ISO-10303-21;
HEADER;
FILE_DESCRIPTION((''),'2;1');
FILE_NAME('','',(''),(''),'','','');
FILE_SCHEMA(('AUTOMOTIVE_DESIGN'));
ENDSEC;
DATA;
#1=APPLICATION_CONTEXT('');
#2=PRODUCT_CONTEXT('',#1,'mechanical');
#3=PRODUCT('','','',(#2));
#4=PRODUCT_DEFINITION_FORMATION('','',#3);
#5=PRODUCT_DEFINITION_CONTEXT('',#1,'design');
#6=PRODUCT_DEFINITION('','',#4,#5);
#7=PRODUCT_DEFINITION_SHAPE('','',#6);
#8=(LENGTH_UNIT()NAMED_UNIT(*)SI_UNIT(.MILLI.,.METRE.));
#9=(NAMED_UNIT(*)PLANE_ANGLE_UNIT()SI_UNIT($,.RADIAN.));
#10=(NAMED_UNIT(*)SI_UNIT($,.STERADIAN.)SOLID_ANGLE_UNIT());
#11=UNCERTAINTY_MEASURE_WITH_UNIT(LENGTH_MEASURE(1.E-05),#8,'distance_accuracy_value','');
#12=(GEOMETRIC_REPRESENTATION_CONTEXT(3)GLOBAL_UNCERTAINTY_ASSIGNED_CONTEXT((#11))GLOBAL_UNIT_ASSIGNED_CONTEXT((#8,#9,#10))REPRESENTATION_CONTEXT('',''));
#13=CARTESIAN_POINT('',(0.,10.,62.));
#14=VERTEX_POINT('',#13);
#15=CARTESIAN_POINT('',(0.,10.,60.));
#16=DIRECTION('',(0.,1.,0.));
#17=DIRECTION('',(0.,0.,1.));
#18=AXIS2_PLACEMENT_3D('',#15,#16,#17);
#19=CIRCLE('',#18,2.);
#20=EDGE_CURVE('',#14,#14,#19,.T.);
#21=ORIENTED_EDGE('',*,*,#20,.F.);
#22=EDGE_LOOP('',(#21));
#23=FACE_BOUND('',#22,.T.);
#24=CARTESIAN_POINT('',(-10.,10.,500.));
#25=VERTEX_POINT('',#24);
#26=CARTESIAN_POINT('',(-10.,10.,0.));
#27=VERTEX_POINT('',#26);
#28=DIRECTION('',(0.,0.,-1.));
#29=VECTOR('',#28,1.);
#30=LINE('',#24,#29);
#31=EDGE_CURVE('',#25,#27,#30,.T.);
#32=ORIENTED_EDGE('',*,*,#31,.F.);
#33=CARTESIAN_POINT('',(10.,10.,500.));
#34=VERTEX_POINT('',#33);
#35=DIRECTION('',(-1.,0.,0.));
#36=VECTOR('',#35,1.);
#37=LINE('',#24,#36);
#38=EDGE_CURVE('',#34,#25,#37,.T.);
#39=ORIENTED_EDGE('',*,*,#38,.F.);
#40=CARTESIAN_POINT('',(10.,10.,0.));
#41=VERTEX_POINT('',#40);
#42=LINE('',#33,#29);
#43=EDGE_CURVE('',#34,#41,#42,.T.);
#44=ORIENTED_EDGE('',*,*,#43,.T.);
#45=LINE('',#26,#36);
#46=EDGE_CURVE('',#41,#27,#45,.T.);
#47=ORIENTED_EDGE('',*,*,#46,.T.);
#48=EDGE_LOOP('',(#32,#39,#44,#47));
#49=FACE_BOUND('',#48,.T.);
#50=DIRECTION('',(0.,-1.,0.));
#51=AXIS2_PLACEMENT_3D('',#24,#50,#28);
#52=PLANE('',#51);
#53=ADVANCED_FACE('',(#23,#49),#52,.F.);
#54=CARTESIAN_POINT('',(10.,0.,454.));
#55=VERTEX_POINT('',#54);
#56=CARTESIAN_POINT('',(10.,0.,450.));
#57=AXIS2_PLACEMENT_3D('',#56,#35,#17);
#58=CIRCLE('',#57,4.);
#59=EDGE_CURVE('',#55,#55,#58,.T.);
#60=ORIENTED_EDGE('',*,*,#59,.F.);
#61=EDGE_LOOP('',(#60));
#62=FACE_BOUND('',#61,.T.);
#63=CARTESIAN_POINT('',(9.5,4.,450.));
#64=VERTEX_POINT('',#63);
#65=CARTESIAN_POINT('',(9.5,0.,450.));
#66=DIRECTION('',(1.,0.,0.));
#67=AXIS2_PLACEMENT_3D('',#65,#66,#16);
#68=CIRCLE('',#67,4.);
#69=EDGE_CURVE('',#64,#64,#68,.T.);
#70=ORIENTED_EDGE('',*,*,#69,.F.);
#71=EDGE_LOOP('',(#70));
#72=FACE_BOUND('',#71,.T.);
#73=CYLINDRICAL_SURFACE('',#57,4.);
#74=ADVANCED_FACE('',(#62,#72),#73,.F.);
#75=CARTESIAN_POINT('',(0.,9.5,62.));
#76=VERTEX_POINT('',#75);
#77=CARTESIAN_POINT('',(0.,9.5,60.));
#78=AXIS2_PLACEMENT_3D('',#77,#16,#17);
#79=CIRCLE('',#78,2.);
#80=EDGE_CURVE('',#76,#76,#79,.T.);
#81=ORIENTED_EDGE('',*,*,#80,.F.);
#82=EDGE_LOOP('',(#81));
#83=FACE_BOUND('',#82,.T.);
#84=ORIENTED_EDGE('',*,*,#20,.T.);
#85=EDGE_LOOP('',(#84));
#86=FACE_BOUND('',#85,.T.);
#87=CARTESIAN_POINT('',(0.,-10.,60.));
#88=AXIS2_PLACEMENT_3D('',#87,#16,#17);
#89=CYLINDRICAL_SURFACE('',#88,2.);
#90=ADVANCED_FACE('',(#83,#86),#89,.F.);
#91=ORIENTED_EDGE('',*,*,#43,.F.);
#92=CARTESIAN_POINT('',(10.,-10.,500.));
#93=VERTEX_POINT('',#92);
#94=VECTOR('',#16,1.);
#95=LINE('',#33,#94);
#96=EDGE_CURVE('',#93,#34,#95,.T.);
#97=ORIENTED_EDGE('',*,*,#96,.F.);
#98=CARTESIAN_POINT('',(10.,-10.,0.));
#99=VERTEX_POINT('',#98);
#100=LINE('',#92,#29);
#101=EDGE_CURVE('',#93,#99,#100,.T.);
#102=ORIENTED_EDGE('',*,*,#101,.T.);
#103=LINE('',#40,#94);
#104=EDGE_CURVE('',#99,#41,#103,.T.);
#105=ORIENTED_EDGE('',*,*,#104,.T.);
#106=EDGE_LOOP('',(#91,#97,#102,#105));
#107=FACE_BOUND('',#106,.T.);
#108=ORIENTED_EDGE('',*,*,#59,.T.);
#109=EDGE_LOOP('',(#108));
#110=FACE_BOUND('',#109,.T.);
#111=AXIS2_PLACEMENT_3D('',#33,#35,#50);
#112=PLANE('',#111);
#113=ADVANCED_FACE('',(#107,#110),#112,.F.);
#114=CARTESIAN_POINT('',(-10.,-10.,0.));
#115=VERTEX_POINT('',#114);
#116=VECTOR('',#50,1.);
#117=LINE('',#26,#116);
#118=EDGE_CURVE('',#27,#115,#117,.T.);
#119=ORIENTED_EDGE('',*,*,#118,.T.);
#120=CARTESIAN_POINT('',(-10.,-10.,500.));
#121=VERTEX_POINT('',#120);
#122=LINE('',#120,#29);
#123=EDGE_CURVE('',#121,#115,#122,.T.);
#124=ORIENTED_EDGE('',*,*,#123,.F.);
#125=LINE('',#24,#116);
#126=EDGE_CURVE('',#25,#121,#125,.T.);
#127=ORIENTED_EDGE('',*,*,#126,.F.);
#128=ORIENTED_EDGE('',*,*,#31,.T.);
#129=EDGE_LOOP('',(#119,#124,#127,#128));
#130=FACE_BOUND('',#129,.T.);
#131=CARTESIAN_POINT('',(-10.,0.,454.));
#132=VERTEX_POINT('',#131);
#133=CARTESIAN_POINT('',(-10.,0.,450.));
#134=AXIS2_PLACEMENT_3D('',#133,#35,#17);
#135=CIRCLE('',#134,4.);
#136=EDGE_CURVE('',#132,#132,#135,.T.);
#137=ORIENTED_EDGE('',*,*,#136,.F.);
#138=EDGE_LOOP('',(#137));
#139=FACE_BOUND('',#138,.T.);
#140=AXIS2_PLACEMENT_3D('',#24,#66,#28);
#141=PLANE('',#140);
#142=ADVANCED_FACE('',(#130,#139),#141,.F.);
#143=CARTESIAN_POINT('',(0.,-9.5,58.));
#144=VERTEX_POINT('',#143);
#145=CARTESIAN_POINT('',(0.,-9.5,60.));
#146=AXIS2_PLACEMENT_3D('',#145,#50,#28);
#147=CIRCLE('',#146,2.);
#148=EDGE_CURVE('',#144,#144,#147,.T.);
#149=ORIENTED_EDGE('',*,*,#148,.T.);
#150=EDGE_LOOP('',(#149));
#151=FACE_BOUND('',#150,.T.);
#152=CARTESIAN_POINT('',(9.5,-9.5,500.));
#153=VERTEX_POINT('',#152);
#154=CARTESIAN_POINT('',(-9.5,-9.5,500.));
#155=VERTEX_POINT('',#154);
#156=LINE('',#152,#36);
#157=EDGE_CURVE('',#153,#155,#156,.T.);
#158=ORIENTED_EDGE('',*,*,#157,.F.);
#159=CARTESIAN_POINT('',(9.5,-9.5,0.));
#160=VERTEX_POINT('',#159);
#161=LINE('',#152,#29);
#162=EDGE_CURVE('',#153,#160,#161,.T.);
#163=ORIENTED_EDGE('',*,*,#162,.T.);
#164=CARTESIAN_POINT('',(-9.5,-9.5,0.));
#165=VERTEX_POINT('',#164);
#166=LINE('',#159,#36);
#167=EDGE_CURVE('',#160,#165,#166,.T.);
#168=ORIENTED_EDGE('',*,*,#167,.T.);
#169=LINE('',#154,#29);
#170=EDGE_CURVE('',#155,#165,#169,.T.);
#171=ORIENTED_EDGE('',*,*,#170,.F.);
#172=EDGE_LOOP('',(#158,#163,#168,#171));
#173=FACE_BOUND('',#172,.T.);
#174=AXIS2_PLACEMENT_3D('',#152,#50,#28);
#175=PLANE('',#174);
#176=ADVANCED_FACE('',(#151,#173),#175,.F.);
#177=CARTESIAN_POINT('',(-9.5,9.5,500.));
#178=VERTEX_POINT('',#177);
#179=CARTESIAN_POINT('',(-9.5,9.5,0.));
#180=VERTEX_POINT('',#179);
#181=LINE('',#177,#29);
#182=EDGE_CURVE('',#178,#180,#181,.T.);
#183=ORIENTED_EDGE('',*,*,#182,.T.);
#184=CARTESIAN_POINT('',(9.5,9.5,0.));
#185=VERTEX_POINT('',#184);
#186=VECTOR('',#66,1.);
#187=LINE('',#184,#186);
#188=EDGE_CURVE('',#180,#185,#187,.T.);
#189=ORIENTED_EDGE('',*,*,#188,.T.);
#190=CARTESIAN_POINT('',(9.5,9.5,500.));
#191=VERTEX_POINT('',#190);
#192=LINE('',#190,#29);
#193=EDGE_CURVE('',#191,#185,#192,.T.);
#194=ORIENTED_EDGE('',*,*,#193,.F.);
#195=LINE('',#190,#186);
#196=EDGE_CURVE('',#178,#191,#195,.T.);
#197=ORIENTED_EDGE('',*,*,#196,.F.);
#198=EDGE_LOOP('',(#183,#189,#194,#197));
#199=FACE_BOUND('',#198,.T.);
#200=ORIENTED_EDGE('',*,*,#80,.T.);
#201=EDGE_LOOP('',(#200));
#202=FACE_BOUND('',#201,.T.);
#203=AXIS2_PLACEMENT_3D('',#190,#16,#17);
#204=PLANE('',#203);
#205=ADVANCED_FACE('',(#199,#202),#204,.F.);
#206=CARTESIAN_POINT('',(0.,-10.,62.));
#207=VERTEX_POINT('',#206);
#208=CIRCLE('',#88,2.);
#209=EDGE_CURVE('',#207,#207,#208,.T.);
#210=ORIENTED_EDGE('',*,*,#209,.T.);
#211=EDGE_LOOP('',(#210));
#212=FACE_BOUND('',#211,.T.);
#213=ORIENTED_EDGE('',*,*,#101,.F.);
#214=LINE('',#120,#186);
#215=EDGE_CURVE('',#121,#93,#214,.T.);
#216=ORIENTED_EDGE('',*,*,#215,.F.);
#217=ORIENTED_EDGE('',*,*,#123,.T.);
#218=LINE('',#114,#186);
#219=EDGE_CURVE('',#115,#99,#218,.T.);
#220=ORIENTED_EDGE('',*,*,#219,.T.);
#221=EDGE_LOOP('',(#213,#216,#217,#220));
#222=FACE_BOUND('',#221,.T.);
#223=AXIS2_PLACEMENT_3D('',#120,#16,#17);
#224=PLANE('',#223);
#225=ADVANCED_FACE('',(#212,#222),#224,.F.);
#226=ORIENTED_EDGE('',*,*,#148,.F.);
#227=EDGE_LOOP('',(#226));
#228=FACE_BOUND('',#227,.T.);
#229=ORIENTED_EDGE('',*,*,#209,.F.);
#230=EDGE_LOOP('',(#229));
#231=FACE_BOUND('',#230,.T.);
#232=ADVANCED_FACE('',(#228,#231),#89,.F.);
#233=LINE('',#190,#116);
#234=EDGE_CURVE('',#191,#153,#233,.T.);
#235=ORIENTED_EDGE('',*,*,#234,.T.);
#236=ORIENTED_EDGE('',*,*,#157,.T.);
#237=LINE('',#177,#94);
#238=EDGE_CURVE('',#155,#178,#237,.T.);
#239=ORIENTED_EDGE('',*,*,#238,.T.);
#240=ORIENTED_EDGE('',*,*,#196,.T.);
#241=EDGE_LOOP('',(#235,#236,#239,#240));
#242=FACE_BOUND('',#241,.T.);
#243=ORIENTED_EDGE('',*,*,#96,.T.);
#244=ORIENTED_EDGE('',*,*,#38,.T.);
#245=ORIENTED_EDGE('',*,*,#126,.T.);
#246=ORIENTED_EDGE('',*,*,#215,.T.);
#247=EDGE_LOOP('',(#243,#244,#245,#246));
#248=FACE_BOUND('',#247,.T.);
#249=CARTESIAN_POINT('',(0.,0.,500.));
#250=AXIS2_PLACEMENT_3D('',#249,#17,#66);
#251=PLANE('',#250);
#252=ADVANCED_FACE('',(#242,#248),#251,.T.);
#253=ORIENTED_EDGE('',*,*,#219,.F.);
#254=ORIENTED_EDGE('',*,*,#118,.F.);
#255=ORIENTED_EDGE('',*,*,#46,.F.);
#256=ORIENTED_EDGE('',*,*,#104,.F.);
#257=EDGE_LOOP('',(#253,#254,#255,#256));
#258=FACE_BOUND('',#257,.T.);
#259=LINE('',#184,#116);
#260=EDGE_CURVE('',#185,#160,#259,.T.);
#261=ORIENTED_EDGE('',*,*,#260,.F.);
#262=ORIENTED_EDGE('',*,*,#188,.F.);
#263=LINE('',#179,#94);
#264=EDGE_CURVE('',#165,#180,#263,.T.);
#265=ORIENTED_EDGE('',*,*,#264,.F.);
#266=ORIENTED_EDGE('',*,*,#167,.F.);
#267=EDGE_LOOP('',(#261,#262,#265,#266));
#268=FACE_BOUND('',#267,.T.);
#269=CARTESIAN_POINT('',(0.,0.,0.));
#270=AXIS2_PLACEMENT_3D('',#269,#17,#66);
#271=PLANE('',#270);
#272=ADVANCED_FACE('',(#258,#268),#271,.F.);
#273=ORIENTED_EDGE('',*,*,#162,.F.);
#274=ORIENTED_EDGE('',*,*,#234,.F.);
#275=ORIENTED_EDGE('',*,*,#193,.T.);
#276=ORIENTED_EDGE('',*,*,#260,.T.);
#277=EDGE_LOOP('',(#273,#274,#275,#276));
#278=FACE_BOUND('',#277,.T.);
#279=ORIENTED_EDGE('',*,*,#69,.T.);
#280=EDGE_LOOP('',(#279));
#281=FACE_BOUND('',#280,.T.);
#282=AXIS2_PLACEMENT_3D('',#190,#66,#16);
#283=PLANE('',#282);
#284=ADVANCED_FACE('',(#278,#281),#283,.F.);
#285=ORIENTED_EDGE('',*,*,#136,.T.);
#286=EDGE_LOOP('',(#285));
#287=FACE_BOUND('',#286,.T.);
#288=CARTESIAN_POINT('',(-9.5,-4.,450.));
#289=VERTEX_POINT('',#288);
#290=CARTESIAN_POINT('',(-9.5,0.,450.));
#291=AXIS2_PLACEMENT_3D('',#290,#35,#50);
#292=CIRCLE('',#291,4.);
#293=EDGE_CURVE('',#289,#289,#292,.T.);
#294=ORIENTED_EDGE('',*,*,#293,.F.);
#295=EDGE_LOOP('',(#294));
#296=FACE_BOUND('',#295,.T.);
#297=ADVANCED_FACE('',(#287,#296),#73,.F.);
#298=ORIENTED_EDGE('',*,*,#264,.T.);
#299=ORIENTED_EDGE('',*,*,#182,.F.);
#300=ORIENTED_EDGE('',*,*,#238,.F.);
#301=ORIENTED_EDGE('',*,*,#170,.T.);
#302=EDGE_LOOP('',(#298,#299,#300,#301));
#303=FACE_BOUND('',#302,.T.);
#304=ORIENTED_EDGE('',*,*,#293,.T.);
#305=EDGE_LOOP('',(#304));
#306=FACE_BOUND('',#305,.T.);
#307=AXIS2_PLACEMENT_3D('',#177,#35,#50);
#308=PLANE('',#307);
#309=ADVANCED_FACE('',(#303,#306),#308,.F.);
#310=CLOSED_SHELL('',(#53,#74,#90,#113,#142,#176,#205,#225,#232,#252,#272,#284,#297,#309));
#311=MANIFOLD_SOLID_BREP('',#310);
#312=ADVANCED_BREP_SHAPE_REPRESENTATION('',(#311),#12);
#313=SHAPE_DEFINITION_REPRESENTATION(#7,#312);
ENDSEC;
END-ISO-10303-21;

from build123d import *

# Parameters (mm, degrees)
SKETCH1_W           = 20
SKETCH1_H           = 20
BOSS_EXTRUDE1_DEPTH = 500
SKETCH2_W           = 19
SKETCH2_H           = 19
CUT_EXTRUDE1_DEPTH  = 501.199960016
SKETCH3_R           = 2
CUT_EXTRUDE2_DEPTH  = 20
SKETCH5_R           = 4
CUT_EXTRUDE3_DEPTH  = 20


with BuildPart() as part:
    # Sketch1 → Boss-Extrude1 (new body)
    with BuildSketch(Plane.XY):
        Rectangle(SKETCH1_W, SKETCH1_H)
    extrude(amount=BOSS_EXTRUDE1_DEPTH)

    # Sketch2 → Cut-Extrude1 (cut, through all)
    with BuildSketch(Plane(origin=(0, 0, 0), x_dir=(-1, 0, 0), z_dir=(0, 0, -1))):
        Rectangle(SKETCH2_W, SKETCH2_H)
    extrude(amount=-CUT_EXTRUDE1_DEPTH, mode=Mode.SUBTRACT)

    # Sketch3 → Cut-Extrude2 (cut)
    with BuildSketch(Plane(origin=(0, 10, 0), x_dir=(1, 0, 0), z_dir=(0, 1, 0))):
        with Locations(Location((0, -60, 0), (0, 0, 270))):
            Circle(SKETCH3_R)
    extrude(amount=-CUT_EXTRUDE2_DEPTH, mode=Mode.SUBTRACT)

    # Sketch5 → Cut-Extrude3 (cut)
    with BuildSketch(Plane.ZY.offset(10)):
        with Locations((450, 0)):
            Circle(SKETCH5_R)
    extrude(amount=-CUT_EXTRUDE3_DEPTH, mode=Mode.SUBTRACT)


solid = part.part
